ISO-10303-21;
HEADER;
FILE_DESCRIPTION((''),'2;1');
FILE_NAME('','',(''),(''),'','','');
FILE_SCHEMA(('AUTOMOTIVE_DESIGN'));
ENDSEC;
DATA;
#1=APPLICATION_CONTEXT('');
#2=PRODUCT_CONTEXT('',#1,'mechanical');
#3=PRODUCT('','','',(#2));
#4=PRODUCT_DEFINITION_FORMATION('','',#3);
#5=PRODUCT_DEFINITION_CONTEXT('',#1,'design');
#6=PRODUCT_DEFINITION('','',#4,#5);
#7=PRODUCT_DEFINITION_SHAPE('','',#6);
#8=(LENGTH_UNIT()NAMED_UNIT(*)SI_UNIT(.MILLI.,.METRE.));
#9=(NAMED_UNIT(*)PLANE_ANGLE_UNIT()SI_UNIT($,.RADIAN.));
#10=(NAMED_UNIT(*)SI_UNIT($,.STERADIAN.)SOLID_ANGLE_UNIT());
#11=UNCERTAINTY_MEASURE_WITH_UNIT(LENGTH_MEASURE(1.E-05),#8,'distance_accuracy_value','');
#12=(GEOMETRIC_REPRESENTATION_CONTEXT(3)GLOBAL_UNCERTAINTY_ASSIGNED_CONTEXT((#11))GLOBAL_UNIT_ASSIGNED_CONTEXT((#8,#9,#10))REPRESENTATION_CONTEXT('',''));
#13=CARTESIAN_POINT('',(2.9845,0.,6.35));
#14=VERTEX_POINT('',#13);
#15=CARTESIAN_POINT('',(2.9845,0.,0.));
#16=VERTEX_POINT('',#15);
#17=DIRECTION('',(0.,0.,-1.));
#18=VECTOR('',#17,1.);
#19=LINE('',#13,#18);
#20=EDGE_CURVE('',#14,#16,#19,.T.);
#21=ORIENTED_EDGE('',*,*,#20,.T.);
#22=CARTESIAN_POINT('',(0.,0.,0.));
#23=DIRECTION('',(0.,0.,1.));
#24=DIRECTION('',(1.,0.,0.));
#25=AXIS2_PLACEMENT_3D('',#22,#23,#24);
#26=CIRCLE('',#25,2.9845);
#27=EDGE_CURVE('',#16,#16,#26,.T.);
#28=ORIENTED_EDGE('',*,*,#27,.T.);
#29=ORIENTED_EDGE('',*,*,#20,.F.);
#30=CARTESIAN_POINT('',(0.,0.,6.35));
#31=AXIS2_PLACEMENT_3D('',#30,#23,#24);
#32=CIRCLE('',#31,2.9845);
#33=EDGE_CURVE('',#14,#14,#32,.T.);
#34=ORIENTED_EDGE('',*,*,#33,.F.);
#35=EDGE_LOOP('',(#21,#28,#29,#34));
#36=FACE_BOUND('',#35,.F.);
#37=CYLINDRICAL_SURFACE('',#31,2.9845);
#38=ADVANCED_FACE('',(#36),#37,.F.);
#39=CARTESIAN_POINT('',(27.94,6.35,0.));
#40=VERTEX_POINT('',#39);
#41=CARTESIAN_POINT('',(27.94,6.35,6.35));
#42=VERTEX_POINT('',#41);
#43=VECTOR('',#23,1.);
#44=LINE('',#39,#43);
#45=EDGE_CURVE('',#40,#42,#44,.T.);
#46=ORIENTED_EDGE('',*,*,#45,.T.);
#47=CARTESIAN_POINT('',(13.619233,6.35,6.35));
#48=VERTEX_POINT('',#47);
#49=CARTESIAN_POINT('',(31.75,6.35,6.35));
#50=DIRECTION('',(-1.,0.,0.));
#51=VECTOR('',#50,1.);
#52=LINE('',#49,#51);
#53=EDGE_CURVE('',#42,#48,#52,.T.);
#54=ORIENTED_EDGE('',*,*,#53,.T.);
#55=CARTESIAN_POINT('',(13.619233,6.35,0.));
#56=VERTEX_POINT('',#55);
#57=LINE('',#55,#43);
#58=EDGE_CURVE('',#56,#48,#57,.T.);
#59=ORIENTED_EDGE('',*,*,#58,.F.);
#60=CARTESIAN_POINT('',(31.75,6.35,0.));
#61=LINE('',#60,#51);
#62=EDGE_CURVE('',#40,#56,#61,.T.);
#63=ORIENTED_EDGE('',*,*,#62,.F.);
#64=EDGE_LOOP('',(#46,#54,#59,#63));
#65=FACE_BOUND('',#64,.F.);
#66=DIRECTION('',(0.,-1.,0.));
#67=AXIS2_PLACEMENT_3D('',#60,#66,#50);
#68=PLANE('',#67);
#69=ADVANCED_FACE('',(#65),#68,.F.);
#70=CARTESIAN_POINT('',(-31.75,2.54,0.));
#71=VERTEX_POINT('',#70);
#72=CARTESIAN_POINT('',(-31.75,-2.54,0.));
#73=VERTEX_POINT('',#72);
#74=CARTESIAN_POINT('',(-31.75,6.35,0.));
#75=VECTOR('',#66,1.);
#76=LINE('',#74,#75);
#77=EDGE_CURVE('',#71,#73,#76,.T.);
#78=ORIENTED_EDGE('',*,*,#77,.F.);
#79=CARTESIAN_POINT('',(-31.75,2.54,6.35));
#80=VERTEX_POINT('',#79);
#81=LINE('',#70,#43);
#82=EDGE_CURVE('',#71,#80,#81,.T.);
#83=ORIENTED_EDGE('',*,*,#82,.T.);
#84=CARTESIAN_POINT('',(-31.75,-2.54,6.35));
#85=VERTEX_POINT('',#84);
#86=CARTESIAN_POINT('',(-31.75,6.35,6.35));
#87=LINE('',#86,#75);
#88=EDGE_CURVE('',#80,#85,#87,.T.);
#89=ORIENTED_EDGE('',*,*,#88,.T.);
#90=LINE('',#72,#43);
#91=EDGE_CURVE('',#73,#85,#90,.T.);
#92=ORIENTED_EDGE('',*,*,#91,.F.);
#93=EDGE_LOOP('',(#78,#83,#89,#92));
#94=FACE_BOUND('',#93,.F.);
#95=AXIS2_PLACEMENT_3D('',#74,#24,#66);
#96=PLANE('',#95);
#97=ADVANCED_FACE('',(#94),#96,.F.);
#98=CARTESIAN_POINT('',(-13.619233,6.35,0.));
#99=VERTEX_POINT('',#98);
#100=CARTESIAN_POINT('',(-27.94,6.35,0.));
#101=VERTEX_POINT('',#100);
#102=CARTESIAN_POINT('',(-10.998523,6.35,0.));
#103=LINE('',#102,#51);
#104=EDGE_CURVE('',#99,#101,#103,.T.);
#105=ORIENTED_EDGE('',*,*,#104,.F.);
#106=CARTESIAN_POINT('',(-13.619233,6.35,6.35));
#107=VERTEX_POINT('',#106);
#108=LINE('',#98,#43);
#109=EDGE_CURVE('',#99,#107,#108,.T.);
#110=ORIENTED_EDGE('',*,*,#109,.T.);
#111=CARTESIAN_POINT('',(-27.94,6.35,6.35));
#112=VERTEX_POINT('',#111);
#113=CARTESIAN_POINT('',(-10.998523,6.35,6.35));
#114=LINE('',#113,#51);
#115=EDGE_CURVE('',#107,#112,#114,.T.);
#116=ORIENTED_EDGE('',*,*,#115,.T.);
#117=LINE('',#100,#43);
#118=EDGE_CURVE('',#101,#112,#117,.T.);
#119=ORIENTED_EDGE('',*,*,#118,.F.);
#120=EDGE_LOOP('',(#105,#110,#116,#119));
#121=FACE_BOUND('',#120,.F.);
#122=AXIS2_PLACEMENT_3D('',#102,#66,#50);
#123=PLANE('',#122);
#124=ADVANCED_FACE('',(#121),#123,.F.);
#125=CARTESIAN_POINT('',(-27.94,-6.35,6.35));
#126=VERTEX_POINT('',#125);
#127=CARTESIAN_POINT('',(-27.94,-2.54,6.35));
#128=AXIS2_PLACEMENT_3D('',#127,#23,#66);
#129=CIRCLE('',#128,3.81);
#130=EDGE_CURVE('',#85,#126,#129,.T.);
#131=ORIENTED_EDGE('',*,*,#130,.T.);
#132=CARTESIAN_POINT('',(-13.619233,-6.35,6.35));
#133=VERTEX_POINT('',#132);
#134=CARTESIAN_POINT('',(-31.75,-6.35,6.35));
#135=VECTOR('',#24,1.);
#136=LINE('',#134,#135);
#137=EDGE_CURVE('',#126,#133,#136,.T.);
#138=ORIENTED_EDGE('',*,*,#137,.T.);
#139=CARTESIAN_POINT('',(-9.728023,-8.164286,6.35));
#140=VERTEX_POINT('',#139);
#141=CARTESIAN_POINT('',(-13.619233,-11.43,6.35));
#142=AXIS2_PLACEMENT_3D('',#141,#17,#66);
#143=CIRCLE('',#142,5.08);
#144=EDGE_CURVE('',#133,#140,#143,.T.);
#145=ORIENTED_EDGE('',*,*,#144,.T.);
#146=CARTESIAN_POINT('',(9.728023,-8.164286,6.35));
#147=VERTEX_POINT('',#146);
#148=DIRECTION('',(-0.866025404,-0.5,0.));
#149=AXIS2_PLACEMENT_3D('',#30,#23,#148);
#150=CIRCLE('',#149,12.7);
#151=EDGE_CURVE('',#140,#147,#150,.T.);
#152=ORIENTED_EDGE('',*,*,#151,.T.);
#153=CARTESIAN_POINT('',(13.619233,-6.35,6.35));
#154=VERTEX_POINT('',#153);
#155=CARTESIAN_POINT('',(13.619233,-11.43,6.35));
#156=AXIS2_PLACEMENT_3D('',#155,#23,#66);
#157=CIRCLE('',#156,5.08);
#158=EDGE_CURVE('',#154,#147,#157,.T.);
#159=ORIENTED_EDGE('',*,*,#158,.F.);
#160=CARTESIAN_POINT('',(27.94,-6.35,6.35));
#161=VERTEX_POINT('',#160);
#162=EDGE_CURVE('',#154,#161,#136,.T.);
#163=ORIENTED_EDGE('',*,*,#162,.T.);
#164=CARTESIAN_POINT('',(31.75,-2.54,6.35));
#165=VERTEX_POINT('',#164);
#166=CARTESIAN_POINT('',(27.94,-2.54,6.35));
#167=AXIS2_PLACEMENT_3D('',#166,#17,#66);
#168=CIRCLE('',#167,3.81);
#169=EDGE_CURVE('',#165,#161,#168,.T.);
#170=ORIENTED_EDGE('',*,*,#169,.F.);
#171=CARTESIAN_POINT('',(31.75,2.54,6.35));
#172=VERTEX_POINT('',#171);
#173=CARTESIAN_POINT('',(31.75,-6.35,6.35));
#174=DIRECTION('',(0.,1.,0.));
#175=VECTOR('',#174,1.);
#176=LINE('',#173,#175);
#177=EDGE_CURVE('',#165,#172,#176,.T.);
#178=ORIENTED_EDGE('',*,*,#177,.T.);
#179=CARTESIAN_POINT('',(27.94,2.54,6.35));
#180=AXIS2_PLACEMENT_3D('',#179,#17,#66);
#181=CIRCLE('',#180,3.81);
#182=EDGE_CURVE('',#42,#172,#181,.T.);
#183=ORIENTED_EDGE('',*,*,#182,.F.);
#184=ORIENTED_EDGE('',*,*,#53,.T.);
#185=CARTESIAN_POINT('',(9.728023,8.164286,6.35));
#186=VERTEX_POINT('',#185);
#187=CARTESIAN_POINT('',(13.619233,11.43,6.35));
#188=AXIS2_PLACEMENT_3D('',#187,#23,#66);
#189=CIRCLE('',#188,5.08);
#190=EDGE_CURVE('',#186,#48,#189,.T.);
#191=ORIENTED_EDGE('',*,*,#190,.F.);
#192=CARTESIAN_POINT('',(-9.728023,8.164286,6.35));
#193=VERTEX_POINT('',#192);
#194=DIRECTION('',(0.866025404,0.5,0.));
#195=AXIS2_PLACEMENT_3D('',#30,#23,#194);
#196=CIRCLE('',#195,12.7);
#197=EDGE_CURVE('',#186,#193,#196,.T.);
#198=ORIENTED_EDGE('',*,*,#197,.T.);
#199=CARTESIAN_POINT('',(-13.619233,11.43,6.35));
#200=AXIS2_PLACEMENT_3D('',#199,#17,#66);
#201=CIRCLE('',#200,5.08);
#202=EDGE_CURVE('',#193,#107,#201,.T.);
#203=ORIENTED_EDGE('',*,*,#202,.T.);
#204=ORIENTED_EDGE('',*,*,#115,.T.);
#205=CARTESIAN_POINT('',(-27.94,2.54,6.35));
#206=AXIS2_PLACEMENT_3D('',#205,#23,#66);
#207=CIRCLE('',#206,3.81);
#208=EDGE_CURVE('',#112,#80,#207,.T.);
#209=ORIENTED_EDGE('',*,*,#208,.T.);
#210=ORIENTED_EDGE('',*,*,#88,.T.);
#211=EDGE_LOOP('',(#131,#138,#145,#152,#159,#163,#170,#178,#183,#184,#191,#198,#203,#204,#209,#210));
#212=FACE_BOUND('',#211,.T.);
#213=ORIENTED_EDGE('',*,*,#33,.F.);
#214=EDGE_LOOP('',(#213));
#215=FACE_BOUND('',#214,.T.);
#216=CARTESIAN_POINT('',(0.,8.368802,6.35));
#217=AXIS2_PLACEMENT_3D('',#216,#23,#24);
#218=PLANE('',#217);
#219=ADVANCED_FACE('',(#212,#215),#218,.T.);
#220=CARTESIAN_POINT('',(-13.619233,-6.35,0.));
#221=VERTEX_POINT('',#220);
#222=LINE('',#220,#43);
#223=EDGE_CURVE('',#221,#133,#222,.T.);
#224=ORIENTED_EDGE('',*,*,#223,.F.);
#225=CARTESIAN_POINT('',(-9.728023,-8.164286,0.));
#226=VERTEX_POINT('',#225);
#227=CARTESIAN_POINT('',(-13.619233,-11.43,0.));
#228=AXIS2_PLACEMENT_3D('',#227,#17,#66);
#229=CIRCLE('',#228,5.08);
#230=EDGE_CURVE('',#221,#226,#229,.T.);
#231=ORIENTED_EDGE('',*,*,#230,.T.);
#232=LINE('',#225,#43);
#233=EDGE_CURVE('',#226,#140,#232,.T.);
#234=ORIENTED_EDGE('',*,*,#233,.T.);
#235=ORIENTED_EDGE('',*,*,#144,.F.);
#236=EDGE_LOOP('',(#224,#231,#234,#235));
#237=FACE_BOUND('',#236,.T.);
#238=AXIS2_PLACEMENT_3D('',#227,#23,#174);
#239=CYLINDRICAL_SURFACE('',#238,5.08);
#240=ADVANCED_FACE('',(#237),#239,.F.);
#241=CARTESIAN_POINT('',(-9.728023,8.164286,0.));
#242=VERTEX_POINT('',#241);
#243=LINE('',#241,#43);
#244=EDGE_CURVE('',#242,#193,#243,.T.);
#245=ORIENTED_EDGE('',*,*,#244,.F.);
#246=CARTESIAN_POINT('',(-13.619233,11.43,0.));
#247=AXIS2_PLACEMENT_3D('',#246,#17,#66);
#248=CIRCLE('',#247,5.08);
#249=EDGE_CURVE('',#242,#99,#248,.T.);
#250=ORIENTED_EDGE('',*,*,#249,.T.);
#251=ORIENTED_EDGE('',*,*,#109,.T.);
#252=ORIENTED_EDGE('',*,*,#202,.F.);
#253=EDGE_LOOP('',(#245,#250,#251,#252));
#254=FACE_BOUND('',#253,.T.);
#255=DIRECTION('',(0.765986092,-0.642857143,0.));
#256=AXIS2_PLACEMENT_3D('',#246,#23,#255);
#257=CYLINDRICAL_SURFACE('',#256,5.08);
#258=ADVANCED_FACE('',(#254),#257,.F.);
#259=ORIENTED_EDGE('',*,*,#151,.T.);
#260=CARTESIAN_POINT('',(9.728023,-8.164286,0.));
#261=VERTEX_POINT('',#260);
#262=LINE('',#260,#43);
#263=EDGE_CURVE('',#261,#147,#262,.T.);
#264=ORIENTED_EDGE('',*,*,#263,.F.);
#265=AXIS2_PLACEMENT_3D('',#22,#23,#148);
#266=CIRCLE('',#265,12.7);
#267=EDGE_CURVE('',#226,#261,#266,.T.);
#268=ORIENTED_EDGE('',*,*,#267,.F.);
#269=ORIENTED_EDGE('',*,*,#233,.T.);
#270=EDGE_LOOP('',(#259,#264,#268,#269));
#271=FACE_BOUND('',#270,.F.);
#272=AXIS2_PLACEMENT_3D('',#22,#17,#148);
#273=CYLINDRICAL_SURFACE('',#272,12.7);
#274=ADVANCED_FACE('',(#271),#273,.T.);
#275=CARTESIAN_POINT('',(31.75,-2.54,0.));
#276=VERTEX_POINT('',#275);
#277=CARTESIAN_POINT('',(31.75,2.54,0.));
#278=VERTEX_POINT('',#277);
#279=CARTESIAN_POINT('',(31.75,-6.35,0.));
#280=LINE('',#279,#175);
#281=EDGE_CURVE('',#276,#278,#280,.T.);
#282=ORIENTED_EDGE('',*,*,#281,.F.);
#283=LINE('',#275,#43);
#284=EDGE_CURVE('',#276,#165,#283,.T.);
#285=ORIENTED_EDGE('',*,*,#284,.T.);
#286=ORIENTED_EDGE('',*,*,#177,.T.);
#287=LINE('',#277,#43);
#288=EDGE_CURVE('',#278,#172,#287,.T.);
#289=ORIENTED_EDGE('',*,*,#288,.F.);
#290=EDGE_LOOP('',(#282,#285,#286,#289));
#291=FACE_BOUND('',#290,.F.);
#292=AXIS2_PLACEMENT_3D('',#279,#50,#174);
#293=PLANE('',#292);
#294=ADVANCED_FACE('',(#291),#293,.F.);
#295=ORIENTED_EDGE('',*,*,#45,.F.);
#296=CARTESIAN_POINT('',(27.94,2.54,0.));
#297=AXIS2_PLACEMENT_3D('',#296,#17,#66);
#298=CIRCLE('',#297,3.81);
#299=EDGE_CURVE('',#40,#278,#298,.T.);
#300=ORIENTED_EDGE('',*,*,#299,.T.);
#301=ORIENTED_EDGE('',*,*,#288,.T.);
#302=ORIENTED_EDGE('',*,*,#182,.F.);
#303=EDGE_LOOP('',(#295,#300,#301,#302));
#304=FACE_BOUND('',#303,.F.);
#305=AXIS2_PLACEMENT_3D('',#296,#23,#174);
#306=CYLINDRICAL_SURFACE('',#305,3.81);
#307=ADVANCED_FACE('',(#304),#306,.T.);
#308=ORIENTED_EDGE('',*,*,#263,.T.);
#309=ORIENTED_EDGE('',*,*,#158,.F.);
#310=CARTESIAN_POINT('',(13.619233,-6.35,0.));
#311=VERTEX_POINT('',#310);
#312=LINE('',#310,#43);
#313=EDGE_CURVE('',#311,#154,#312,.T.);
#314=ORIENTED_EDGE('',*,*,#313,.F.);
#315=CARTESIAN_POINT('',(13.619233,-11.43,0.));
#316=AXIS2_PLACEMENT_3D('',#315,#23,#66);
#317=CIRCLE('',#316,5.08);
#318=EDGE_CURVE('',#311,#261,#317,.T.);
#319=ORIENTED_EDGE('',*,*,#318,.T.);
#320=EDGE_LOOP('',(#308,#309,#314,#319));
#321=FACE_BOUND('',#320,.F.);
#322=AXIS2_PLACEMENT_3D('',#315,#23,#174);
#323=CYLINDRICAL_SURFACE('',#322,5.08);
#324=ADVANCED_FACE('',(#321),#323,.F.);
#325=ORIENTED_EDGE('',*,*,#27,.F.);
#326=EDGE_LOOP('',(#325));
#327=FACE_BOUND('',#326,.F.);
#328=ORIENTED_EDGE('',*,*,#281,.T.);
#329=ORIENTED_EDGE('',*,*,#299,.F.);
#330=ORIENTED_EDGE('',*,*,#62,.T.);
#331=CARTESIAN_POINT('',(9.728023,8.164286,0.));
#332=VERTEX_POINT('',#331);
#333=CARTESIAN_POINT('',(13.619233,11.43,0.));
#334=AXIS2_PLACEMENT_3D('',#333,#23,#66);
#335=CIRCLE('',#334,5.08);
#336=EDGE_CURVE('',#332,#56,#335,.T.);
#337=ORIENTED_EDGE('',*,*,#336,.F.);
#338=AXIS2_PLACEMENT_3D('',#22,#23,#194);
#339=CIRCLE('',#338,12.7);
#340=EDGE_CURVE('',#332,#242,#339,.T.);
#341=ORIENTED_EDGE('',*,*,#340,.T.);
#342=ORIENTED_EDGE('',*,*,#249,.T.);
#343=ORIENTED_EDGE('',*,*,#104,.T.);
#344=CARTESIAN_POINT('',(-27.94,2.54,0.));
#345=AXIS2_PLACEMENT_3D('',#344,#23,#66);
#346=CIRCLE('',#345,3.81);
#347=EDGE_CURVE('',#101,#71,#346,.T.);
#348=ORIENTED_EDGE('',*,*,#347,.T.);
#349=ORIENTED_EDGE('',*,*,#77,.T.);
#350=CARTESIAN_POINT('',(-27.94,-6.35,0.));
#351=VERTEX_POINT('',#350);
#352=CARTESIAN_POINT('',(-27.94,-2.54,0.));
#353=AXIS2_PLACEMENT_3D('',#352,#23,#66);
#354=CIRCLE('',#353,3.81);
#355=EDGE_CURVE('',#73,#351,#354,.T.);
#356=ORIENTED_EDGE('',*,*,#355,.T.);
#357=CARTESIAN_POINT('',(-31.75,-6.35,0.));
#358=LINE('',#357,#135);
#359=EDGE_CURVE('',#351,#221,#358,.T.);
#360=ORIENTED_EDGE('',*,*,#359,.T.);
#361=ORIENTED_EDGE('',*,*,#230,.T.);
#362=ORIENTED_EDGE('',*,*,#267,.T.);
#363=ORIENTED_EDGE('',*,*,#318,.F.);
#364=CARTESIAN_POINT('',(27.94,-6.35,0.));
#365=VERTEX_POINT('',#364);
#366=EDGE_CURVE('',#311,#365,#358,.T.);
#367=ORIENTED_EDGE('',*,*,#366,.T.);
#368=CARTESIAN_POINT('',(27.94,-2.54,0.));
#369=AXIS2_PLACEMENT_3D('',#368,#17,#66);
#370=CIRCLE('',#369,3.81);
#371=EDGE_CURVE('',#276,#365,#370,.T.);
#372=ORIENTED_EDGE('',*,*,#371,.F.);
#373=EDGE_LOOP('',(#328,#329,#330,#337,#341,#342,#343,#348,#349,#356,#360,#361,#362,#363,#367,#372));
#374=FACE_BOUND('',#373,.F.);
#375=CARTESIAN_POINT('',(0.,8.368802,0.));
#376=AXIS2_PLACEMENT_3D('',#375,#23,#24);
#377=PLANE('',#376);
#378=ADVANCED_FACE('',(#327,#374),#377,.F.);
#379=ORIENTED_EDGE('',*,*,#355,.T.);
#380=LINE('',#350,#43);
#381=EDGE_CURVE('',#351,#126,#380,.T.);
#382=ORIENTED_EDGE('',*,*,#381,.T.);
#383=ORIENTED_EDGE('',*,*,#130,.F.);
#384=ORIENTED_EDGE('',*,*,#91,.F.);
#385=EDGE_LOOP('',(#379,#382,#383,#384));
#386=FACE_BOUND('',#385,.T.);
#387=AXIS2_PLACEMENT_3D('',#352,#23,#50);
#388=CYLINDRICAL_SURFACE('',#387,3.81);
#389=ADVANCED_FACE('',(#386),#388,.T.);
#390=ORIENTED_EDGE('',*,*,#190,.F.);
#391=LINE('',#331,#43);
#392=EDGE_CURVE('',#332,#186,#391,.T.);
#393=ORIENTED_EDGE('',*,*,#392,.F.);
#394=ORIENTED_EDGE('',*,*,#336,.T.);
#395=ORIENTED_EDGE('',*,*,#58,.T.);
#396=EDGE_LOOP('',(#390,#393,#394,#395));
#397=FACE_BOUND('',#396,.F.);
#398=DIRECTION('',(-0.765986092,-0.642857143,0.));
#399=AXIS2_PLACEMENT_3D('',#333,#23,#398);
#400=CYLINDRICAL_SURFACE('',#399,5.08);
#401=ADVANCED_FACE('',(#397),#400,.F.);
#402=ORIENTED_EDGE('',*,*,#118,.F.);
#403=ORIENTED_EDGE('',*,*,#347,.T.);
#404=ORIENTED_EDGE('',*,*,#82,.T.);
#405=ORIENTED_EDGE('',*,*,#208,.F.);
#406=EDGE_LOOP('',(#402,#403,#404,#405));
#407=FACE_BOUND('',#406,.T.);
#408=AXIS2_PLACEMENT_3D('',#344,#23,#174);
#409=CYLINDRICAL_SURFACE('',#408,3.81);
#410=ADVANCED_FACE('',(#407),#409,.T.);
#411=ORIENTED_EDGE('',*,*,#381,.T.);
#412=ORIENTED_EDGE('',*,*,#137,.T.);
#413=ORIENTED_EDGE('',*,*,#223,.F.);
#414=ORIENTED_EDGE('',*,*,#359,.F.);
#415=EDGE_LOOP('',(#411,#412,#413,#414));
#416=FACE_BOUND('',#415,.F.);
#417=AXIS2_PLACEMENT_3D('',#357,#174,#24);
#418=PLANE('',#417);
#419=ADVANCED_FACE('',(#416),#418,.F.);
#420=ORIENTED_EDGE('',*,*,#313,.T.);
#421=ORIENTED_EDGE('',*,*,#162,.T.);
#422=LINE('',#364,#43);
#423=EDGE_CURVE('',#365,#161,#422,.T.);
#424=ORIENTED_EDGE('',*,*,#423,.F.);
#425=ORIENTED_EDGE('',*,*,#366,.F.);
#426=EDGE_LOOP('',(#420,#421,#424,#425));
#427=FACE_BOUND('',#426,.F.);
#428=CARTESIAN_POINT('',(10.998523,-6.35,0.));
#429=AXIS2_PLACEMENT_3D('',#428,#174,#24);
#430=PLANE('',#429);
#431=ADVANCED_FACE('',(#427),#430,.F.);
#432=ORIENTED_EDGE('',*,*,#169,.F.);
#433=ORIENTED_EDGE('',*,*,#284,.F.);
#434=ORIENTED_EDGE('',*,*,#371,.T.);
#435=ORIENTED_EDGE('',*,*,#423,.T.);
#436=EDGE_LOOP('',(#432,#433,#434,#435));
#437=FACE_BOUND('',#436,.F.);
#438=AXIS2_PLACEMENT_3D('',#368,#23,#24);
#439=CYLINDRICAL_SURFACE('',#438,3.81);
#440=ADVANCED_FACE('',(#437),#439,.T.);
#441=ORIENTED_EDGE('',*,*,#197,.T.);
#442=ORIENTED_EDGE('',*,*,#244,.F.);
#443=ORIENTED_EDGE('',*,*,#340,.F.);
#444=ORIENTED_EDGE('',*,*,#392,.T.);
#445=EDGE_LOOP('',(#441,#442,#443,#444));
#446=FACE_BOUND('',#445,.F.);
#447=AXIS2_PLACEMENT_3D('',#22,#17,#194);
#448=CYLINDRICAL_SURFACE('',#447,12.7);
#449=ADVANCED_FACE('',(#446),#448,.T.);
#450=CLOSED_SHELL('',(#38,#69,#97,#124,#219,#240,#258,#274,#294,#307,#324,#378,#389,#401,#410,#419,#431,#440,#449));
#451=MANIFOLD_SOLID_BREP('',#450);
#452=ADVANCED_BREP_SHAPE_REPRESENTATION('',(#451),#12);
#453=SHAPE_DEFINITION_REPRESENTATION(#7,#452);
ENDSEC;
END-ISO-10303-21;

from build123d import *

# Parameters (mm, degrees)
F1_DEPTH = 6.35
F2_R     = 2.9845
F3_DEPTH = 6.35
F4_R     = 5.08
F5_R     = 3.81


with BuildPart() as f1:
    # F0 (on Top) → F1 (new body)
    with BuildSketch(Plane.XY):
        with BuildLine():
            Line((-10.9985226281, 6.35), (10.9985226281, 6.35))
            ThreePointArc((10.9985226281, 6.35), (0, 12.7), (-10.9985226281, 6.35))
        make_face()
        with BuildLine():
            ThreePointArc((-10.9985226281, -6.35), (-12.7, 0), (-10.9985226281, 6.35))
            Line((-10.9985226281, 6.35), (-31.75, 6.35))
            Line((-31.75, 6.35), (-31.75, -6.35))
            Line((-31.75, -6.35), (-10.9985226281, -6.35))
        make_face()
        with BuildLine():
            ThreePointArc((10.9985226281, -6.35), (12.2672579939, -3.2870018728), (12.7, 0))
            ThreePointArc((12.7, 0), (12.2672579939, 3.2870018728), (10.9985226281, 6.35))
            Line((10.9985226281, 6.35), (-10.9985226281, 6.35))
            ThreePointArc((-10.9985226281, 6.35), (-12.7, 0), (-10.9985226281, -6.35))
            Line((-10.9985226281, -6.35), (10.9985226281, -6.35))
        make_face()
        with BuildLine():
            ThreePointArc((10.9985226281, 6.35), (12.2672579939, 3.2870018728), (12.7, 0))
            ThreePointArc((12.7, 0), (12.2672579939, -3.2870018728), (10.9985226281, -6.35))
            Line((10.9985226281, -6.35), (31.75, -6.35))
            Line((31.75, -6.35), (31.75, 6.35))
            Line((31.75, 6.35), (10.9985226281, 6.35))
        make_face()
        with BuildLine():
            ThreePointArc((-10.9985226281, -6.35), (0, -12.7), (10.9985226281, -6.35))
            Line((10.9985226281, -6.35), (-10.9985226281, -6.35))
        make_face()
    extrude(amount=F1_DEPTH)

    # F2 (on face) → F3 (cut)
    with BuildSketch(Plane.XY.offset(6.35)):
        Circle(F2_R)
    extrude(amount=-F3_DEPTH, mode=Mode.SUBTRACT)

    # F4
    f4_edges = [f1.edges().sort_by_distance(p)[0] for p in [
        (-10.998523, 6.35, 3.175),
        (10.998523, -6.35, 3.175),
        (-10.998523, -6.35, 3.175),
        (10.998523, 6.35, 3.175),
    ]]
    fillet(f4_edges, radius=F4_R)

    # F5
    f5_edges = [f1.edges().sort_by_distance(p)[0] for p in [
        (-31.75, 6.35, 3.175),
        (-31.75, -6.35, 3.175),
        (31.75, -6.35, 3.175),
        (31.75, 6.35, 3.175),
    ]]
    fillet(f5_edges, radius=F5_R)


solid = f1.part
